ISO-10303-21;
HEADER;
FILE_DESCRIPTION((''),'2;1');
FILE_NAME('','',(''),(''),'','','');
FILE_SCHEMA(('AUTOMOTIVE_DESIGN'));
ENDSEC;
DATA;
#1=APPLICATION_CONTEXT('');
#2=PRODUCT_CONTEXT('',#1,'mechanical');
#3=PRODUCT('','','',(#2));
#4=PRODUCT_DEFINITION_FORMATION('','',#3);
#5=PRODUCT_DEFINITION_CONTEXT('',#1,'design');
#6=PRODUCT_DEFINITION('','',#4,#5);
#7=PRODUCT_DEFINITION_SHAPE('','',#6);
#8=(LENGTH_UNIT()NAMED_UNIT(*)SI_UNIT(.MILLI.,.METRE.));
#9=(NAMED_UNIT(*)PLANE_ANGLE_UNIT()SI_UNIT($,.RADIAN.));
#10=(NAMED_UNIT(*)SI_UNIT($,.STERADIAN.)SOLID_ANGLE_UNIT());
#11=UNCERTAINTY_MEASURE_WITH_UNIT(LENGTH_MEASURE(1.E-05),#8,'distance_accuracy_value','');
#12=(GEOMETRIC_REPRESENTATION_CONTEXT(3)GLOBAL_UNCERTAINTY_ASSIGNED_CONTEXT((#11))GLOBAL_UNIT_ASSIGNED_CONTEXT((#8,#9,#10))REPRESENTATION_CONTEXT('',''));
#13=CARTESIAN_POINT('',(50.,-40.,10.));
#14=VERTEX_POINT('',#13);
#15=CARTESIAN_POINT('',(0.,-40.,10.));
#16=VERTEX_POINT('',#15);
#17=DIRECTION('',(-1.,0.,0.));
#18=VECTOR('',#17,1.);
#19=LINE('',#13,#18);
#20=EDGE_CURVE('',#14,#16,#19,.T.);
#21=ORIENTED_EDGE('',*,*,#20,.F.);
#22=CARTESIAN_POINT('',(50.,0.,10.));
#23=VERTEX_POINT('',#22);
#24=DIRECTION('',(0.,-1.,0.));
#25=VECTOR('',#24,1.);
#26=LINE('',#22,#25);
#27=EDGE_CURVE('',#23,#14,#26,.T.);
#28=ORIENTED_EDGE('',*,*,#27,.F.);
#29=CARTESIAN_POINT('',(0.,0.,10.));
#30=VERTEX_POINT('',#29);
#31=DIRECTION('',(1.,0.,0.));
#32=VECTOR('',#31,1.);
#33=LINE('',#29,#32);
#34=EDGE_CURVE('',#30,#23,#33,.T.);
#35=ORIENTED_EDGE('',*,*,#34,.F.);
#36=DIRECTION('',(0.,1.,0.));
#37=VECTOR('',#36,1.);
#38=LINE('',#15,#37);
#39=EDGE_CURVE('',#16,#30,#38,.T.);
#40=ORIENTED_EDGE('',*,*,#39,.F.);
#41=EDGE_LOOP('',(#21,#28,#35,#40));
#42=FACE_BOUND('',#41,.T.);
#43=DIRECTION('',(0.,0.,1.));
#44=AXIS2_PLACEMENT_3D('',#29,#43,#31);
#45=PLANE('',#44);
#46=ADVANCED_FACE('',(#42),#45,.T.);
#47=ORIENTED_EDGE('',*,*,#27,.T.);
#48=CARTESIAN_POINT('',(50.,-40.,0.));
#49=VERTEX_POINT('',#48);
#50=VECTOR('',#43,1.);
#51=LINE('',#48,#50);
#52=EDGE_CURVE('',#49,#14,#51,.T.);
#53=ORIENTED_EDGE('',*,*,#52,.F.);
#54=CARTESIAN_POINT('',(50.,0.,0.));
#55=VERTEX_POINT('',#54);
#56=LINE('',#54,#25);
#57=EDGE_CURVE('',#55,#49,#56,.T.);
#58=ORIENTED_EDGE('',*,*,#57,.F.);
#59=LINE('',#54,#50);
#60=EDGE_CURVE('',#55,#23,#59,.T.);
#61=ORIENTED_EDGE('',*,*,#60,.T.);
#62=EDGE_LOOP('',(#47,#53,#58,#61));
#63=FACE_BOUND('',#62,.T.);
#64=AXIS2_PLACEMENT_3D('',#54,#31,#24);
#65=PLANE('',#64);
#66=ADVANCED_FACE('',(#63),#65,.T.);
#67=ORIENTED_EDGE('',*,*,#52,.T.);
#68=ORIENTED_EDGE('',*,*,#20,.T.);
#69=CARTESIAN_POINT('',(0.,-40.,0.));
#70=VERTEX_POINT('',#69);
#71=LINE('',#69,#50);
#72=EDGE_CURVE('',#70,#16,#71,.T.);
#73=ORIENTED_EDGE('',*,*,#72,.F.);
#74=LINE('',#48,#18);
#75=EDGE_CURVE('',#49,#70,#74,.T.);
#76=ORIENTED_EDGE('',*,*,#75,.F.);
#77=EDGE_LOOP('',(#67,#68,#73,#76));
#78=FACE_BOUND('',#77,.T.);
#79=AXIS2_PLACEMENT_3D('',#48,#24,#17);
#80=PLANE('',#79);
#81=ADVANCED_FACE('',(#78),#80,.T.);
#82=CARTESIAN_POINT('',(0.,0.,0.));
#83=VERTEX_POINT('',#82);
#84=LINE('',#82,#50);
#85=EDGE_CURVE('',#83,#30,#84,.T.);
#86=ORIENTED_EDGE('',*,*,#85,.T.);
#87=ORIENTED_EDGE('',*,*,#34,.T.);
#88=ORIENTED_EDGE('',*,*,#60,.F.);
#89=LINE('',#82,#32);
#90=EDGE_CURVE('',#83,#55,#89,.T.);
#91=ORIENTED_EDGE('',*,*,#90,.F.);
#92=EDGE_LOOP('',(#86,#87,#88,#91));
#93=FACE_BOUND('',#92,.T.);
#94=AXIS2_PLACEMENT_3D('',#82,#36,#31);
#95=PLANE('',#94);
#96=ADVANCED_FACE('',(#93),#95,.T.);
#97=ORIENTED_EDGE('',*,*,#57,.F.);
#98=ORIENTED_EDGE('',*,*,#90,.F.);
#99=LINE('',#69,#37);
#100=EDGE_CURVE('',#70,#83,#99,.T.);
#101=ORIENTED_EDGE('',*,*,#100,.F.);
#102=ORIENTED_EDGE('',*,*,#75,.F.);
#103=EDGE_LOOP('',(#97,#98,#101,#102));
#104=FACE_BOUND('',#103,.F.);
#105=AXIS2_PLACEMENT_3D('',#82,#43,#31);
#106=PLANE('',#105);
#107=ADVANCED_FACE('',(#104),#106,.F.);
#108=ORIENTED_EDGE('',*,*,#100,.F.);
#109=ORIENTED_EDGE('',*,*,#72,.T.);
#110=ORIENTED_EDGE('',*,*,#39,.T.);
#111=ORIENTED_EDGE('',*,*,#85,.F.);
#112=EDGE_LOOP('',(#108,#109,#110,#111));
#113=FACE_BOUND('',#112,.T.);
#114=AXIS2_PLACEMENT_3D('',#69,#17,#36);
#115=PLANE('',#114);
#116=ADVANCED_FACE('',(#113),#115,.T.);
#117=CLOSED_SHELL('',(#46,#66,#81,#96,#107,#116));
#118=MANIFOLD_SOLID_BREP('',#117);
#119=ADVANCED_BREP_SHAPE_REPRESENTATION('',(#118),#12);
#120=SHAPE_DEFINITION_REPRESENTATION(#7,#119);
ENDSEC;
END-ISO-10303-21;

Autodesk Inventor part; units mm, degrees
ref_plane "YZ Plane" through (0, 0, 0) normal (1, 0, 0) x (0, 1, 0)
ref_plane "XZ Plane" through (0, 0, 0) normal (0, 1, 0) x (-1, 0, 0)
ref_plane "XY Plane" through (0, 0, 0) normal (0, 0, 1) x (1, 0, 0)
sketch "Sketch1" plane through (0, 0, 0) normal (0, 0, 1) x (1, 0, 0)
  line L0 (0, 0) -> (50, 0)
  line L1 (50, 0) -> (50, -40)
  line L2 (50, -40) -> (0, -40)
  line L3 (0, -40) -> (0, 0)
  dimension "d0" = 40
  dimension "d1" = 50
extrude "Extrusion1" add sketch "Sketch1" along normal blind 10
properties part number "CoDinhDiChuyenBT"
